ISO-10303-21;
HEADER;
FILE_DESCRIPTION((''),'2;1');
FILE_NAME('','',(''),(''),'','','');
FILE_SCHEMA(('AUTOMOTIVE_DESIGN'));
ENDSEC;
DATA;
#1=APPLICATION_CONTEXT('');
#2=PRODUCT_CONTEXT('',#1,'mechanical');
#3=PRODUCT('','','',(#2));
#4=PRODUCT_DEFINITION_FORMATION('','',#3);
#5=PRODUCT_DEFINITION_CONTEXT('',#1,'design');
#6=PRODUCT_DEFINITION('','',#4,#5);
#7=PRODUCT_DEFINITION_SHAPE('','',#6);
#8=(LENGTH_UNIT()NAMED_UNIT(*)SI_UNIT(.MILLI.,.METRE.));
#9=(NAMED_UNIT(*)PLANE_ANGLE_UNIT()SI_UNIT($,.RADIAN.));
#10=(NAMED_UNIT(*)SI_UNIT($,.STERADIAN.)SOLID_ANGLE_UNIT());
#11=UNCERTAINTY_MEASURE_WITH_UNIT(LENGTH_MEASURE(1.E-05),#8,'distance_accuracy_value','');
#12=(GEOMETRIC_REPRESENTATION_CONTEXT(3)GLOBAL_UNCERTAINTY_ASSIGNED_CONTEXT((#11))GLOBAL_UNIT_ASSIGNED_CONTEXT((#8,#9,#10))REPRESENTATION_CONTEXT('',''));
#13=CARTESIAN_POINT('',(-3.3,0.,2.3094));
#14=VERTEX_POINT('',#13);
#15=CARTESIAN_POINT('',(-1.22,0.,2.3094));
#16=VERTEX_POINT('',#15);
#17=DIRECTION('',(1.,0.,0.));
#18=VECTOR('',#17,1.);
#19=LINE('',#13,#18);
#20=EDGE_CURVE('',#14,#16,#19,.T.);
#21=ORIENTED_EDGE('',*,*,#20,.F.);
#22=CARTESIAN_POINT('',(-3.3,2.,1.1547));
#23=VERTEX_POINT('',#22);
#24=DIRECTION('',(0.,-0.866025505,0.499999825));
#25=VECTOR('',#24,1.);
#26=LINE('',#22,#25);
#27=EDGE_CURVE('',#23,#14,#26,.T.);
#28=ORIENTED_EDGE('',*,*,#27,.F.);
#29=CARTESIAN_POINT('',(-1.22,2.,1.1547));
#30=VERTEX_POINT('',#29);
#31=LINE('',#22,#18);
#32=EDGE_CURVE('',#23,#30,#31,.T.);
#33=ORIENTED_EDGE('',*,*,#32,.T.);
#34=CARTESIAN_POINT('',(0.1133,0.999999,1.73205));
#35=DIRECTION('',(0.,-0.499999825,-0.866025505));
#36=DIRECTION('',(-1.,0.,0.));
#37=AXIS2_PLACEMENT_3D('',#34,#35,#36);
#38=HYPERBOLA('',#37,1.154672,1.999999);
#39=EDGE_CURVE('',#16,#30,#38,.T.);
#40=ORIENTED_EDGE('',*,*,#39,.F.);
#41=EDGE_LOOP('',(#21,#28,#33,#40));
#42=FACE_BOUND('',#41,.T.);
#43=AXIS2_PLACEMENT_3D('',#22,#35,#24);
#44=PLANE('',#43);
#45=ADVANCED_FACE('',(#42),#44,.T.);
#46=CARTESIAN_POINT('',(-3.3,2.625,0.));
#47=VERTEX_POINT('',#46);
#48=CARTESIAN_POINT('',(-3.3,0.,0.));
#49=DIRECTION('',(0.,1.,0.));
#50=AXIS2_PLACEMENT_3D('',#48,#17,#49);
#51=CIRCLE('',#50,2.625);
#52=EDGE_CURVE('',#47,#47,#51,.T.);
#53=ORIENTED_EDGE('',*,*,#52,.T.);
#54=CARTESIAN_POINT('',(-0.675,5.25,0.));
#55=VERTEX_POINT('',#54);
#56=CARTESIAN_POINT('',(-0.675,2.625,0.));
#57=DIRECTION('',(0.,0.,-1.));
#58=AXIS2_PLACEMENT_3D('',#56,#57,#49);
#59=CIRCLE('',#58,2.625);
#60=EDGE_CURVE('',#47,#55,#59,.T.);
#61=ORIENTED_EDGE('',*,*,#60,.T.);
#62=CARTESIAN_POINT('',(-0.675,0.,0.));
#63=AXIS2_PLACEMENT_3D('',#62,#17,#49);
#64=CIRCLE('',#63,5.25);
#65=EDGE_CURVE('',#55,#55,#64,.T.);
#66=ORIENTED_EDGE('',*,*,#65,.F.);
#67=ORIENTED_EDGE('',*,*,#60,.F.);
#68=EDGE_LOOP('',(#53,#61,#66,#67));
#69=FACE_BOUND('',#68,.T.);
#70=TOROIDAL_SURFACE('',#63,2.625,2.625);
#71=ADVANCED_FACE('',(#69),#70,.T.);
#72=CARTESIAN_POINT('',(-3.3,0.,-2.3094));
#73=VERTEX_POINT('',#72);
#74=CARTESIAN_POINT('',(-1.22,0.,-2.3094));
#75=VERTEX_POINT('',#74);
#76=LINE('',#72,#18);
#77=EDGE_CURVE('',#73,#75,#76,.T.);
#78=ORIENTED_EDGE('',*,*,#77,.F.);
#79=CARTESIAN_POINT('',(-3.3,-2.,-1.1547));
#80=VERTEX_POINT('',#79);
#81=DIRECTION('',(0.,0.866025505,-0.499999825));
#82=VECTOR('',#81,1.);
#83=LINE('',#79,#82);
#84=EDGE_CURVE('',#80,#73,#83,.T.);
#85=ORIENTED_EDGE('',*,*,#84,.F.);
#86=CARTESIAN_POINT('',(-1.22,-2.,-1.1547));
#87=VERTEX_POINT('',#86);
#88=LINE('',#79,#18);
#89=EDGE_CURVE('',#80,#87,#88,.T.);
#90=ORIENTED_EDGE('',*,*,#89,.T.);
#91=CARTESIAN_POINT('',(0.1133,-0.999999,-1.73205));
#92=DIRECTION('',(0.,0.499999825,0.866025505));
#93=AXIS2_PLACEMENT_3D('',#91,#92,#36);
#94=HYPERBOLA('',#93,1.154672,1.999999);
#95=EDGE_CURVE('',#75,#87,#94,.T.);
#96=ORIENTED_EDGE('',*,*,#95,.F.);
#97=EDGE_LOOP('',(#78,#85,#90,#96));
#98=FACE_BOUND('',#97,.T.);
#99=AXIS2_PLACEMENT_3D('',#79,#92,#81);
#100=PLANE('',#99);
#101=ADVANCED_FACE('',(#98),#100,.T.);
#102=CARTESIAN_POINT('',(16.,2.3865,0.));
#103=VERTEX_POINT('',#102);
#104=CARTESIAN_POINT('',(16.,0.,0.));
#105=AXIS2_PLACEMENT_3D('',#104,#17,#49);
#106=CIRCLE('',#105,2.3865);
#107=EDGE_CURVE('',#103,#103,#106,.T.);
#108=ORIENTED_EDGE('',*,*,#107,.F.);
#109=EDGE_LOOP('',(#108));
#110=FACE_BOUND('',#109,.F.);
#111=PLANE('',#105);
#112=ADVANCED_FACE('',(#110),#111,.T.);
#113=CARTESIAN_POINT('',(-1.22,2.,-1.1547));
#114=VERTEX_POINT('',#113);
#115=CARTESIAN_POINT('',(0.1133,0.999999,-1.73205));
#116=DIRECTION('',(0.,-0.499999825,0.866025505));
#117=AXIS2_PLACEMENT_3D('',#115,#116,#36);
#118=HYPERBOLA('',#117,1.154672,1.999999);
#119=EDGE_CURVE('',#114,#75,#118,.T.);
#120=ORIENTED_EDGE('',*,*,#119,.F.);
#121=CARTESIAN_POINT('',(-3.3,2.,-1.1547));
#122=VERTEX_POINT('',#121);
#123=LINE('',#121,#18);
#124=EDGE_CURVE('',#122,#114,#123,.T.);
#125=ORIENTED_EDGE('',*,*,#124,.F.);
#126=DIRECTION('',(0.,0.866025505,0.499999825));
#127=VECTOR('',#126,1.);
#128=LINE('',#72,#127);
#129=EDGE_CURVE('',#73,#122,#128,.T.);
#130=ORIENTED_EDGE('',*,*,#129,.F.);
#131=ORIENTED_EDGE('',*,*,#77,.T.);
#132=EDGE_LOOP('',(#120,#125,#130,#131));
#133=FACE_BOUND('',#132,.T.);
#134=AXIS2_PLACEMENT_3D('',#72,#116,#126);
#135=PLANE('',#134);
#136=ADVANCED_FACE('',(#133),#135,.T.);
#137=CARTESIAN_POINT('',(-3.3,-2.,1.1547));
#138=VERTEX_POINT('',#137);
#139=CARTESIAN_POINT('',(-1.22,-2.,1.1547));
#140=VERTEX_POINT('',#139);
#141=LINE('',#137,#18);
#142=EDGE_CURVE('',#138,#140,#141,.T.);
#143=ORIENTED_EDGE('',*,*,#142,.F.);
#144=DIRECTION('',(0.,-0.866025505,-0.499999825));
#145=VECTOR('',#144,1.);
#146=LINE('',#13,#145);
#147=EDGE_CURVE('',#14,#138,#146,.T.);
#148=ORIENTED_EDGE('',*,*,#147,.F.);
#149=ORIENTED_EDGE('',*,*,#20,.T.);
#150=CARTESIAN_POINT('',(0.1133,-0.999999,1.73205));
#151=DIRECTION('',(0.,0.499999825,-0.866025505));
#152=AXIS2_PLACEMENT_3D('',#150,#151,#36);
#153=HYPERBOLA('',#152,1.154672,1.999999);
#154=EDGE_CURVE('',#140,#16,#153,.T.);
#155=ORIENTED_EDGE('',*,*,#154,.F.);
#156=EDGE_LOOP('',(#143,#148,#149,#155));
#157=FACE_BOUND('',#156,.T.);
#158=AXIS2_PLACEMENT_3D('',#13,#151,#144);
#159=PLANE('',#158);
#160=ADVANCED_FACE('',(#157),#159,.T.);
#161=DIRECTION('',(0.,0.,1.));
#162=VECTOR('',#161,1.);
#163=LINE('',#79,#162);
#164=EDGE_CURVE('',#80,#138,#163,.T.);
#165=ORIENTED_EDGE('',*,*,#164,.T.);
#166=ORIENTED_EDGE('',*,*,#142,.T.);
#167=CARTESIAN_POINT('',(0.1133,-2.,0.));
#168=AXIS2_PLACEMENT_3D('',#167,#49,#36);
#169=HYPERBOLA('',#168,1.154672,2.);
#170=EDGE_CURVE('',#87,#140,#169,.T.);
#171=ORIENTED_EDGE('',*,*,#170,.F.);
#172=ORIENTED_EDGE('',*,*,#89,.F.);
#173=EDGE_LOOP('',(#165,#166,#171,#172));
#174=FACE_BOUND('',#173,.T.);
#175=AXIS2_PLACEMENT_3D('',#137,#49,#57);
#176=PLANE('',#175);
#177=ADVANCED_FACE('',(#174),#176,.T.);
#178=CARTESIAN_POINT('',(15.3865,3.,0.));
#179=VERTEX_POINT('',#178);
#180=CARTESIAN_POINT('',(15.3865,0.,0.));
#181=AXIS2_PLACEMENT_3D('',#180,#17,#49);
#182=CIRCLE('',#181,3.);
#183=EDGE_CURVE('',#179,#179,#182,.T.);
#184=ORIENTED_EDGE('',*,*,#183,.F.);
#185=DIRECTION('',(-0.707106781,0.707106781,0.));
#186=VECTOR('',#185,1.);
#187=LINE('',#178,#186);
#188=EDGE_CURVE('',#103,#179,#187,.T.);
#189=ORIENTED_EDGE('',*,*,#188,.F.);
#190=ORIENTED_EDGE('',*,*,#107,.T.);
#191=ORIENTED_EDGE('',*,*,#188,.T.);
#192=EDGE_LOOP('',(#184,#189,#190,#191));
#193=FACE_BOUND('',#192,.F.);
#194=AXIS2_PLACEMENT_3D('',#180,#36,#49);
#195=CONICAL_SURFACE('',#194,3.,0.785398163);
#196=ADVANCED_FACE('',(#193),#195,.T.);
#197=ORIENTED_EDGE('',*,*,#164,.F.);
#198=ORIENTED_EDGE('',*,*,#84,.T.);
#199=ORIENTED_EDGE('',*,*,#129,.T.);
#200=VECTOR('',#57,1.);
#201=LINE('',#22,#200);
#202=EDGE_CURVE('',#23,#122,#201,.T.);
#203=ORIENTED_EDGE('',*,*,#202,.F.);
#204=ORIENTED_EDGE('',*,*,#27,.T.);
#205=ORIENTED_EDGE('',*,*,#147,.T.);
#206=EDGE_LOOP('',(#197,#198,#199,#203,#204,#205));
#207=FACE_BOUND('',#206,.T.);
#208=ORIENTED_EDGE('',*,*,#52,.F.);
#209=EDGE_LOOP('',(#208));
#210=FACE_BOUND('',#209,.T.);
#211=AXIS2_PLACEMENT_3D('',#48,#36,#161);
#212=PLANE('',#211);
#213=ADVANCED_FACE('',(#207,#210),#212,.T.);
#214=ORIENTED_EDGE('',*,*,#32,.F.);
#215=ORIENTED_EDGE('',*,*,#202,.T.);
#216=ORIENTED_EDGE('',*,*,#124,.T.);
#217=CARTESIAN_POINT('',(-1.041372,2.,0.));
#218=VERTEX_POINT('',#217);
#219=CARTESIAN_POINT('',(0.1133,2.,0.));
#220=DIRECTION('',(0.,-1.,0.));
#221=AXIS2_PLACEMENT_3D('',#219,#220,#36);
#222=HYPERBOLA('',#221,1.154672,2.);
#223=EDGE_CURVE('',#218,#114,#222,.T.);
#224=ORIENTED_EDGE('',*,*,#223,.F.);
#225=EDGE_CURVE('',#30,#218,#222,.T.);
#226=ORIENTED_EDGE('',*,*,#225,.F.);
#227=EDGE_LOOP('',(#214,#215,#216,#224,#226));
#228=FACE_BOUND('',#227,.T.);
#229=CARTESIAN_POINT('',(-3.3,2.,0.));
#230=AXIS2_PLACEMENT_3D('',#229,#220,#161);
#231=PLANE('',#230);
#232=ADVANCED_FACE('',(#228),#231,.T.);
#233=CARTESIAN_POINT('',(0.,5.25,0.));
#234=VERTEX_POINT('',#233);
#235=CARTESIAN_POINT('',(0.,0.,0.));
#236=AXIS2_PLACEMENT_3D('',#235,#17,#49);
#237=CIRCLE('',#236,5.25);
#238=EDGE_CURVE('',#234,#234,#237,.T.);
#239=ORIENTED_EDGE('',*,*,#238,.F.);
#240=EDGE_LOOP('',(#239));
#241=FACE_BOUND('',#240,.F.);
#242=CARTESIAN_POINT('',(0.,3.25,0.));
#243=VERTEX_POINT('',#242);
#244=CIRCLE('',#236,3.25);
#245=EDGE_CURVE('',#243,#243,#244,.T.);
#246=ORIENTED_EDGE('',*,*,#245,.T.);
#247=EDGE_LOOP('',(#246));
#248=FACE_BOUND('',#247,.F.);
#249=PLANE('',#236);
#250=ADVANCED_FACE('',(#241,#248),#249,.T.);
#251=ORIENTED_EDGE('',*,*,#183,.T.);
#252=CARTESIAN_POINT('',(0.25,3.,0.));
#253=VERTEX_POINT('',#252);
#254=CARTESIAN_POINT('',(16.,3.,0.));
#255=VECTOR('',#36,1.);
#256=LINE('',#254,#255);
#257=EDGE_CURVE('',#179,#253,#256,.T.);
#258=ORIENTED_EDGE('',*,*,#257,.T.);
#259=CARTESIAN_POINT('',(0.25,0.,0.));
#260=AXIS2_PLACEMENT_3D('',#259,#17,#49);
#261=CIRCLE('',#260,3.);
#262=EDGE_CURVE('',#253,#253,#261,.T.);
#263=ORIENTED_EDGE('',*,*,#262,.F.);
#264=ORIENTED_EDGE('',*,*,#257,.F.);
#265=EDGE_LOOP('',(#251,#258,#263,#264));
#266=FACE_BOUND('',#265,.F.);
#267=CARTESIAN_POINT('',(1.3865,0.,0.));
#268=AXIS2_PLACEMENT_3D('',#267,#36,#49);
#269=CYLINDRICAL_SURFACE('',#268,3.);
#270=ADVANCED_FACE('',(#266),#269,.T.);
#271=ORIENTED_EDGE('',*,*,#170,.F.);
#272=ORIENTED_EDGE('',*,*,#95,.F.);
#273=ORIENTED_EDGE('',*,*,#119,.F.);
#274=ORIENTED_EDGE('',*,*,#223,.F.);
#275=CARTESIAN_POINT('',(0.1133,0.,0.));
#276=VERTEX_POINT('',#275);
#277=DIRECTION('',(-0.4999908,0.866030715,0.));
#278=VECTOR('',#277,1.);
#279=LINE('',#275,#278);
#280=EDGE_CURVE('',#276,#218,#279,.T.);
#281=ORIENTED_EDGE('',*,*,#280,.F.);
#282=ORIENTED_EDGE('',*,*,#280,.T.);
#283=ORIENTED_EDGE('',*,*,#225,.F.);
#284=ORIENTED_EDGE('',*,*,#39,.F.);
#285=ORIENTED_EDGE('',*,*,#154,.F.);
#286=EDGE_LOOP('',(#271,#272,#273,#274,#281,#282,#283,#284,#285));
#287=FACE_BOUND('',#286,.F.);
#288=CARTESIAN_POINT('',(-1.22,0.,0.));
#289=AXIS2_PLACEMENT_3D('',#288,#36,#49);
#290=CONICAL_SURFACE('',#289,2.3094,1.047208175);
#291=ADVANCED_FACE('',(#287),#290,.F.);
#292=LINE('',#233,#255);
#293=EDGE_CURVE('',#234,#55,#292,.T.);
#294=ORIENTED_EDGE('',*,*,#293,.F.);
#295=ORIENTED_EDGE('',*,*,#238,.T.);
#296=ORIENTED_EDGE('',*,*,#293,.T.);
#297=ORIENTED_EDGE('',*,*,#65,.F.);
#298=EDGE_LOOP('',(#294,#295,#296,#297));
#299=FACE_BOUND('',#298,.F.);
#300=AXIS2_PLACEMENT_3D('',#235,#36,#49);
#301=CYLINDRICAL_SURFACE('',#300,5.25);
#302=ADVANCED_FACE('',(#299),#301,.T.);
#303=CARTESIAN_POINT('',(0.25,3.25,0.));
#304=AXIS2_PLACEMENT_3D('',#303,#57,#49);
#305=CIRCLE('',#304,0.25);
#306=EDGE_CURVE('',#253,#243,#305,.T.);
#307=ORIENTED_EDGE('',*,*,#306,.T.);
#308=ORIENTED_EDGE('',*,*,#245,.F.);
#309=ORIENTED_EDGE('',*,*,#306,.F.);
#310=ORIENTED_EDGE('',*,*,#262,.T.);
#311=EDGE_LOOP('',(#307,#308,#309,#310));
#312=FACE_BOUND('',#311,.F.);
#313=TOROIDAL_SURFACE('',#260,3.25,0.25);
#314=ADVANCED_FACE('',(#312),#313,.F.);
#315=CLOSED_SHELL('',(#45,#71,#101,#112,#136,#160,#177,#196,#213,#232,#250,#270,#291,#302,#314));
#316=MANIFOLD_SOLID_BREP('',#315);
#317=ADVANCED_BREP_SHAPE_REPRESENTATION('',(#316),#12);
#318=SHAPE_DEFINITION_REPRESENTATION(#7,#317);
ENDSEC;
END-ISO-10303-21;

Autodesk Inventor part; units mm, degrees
ref_plane "YZ Plane" through (0, 0, 0) normal (1, 0, 0) x (0, 1, 0)
ref_plane "XZ Plane" through (0, 0, 0) normal (0, 1, 0) x (-1, 0, 0)
sketch "Sketch1" plane through (0, 0, 0) normal (0, 0, 1) x (1, 0, 0)
  line L0 (0.1133, 0) -> (16, 0)
  line L1 (16, 0) -> (16, 3)
  line L2 (16, 3) -> (2, 3)
  line L3 (2, 3) -> (1.3865, 3)
  line L4 (1.3865, 3) -> (0, 3)
  line L5 (0, 3) -> (0, 5.25)
  line L6 (0, 5.25) -> (-3.3, 5.25)
  line L7 (-3.3, 5.25) -> (-3.3, 2.3094)
  line L8 (-3.3, 2.3094) -> (-1.22, 2.3094)
  line L9 (-1.22, 2.3094) -> (0.1133, 0)
  line L10 (-7.16, 0) -> (19.86, 0) projected
  line L11 (0, -1.05) -> (0, 6.3) projected
  line L12 (2, 3) -> (0, 3) construction
  dimension "d0" = 14
  dimension "d1" = 0.6135
  dimension "d2" = 3.3
  dimension "d3" = 2.08
  dimension "d4" = 60
  dimension "d5" = 6
  dimension "d6" = 6
  dimension "d7" = 4.6188
  dimension "d8" = 10.5
  dimension "d19" = 16
revolve "Body" add sketch "Sketch1" angle 360 about axis through (0.1133, 0, 0) along (1, 0, 0) contours L9 L11 L4 L3 L2 L1 L0 | L9 L8 L7 L6 L5 L11
sketch "Sketch2" plane through (-3.3, 0, 0) normal (-1, 0, 0) x (0, 0, 1)
  circle A0 centre (0, 0) radius 2.3094 projected
  line L0 (0, -7.35) -> (0, 7.35) projected
  line L1 (-7.35, 0) -> (7.35, 0) projected
  line L2 (2.3094, 0) -> (1.1547, -2)
  line L3 (1.1547, -2) -> (-1.1547, -2)
  line L4 (-1.1547, -2) -> (-2.3094, 0)
  line L5 (-2.3094, 0) -> (-1.1547, 2)
  line L6 (-1.1547, 2) -> (1.1547, 2)
  line L7 (1.1547, 2) -> (2.3094, 0)
extrude "Slot" add sketch "Sketch2" against normal up to next contours L7 A0 | A0 L2 | L6 L0 A0 | A0 L0 L3 | L0 L6 A0 | A0 L3 L0 | L4 A0 | A0 L5
fillet "Fillet1" radius 2.625 1 edges at (-3.3, -5.25, 0)
thread "Thread" size "M6x1" class "4g6g" standard "ANSI Metric M Profile" length 14
chamfer "Chamfer1" distance 0.6135 distance2 0.6135 1 edges at (16, -3, 0) measured on face at (16, -1.1424, 0.935)
fillet "Fillet2" radius 0.25 1 edges at (0, -3, 0)
ref_plane "Work Plane1" through (30, 0, 0) normal (0, -0.5, 0.866) x (1, 0, 0)
equation "\"d0\" = GEL"
equation "\"d1\" = GAL"
equation "\"d2\" = KOH"
equation "\"d3\" = INTI"
equation "\"d5\" = GD"
equation "\"d6\" = BDM"
equation "\"d7\" = 1.1547 * SW"
equation "\"d8\" = KOD"
equation "\"d19\" = NLG"
equation "\"d16\" = RR"
equation "\"d12\" = GEL"
equation "\"d14\" = -0.5 * SPD + 0.5 * GD"
equation "\"d15\" = GUL"
equation "\"d29\" = R"
equation "\"GD\" = NND"
equation "\"NLG\" = 16"
equation "\"GEL\" = 14"
equation "\"KOD\" = 10.5"
equation "\"KOH\" = 3.3"
equation "\"INTI\" = 2.08"
equation "\"GAL\" = 0.61345 * PTC"
equation "\"GUL\" = 0.61345 * PTC"
equation "\"BDM\" = NND"
equation "\"SW\" = 4"
equation "\"RR\" = 2.625"
equation "\"SPD\" = 4.7731"
equation "\"d28\" = R"
equation "\"R\" = 0.25"
equation "\"TOA\" = 30deg"
equation "\"THREADDIA\" = 6"
equation "\"KOD1\" = KOD - 2 * RR"
equation "\"PTC\" = 1"
equation "\"NND\" = 6"
equation "\"E0\" = 1.155 * SW"
equation "\"GD1\" = THREADDIA - 1.2269 * PTC"
properties part number "PWTR-0105" material "Steel, Mild"
